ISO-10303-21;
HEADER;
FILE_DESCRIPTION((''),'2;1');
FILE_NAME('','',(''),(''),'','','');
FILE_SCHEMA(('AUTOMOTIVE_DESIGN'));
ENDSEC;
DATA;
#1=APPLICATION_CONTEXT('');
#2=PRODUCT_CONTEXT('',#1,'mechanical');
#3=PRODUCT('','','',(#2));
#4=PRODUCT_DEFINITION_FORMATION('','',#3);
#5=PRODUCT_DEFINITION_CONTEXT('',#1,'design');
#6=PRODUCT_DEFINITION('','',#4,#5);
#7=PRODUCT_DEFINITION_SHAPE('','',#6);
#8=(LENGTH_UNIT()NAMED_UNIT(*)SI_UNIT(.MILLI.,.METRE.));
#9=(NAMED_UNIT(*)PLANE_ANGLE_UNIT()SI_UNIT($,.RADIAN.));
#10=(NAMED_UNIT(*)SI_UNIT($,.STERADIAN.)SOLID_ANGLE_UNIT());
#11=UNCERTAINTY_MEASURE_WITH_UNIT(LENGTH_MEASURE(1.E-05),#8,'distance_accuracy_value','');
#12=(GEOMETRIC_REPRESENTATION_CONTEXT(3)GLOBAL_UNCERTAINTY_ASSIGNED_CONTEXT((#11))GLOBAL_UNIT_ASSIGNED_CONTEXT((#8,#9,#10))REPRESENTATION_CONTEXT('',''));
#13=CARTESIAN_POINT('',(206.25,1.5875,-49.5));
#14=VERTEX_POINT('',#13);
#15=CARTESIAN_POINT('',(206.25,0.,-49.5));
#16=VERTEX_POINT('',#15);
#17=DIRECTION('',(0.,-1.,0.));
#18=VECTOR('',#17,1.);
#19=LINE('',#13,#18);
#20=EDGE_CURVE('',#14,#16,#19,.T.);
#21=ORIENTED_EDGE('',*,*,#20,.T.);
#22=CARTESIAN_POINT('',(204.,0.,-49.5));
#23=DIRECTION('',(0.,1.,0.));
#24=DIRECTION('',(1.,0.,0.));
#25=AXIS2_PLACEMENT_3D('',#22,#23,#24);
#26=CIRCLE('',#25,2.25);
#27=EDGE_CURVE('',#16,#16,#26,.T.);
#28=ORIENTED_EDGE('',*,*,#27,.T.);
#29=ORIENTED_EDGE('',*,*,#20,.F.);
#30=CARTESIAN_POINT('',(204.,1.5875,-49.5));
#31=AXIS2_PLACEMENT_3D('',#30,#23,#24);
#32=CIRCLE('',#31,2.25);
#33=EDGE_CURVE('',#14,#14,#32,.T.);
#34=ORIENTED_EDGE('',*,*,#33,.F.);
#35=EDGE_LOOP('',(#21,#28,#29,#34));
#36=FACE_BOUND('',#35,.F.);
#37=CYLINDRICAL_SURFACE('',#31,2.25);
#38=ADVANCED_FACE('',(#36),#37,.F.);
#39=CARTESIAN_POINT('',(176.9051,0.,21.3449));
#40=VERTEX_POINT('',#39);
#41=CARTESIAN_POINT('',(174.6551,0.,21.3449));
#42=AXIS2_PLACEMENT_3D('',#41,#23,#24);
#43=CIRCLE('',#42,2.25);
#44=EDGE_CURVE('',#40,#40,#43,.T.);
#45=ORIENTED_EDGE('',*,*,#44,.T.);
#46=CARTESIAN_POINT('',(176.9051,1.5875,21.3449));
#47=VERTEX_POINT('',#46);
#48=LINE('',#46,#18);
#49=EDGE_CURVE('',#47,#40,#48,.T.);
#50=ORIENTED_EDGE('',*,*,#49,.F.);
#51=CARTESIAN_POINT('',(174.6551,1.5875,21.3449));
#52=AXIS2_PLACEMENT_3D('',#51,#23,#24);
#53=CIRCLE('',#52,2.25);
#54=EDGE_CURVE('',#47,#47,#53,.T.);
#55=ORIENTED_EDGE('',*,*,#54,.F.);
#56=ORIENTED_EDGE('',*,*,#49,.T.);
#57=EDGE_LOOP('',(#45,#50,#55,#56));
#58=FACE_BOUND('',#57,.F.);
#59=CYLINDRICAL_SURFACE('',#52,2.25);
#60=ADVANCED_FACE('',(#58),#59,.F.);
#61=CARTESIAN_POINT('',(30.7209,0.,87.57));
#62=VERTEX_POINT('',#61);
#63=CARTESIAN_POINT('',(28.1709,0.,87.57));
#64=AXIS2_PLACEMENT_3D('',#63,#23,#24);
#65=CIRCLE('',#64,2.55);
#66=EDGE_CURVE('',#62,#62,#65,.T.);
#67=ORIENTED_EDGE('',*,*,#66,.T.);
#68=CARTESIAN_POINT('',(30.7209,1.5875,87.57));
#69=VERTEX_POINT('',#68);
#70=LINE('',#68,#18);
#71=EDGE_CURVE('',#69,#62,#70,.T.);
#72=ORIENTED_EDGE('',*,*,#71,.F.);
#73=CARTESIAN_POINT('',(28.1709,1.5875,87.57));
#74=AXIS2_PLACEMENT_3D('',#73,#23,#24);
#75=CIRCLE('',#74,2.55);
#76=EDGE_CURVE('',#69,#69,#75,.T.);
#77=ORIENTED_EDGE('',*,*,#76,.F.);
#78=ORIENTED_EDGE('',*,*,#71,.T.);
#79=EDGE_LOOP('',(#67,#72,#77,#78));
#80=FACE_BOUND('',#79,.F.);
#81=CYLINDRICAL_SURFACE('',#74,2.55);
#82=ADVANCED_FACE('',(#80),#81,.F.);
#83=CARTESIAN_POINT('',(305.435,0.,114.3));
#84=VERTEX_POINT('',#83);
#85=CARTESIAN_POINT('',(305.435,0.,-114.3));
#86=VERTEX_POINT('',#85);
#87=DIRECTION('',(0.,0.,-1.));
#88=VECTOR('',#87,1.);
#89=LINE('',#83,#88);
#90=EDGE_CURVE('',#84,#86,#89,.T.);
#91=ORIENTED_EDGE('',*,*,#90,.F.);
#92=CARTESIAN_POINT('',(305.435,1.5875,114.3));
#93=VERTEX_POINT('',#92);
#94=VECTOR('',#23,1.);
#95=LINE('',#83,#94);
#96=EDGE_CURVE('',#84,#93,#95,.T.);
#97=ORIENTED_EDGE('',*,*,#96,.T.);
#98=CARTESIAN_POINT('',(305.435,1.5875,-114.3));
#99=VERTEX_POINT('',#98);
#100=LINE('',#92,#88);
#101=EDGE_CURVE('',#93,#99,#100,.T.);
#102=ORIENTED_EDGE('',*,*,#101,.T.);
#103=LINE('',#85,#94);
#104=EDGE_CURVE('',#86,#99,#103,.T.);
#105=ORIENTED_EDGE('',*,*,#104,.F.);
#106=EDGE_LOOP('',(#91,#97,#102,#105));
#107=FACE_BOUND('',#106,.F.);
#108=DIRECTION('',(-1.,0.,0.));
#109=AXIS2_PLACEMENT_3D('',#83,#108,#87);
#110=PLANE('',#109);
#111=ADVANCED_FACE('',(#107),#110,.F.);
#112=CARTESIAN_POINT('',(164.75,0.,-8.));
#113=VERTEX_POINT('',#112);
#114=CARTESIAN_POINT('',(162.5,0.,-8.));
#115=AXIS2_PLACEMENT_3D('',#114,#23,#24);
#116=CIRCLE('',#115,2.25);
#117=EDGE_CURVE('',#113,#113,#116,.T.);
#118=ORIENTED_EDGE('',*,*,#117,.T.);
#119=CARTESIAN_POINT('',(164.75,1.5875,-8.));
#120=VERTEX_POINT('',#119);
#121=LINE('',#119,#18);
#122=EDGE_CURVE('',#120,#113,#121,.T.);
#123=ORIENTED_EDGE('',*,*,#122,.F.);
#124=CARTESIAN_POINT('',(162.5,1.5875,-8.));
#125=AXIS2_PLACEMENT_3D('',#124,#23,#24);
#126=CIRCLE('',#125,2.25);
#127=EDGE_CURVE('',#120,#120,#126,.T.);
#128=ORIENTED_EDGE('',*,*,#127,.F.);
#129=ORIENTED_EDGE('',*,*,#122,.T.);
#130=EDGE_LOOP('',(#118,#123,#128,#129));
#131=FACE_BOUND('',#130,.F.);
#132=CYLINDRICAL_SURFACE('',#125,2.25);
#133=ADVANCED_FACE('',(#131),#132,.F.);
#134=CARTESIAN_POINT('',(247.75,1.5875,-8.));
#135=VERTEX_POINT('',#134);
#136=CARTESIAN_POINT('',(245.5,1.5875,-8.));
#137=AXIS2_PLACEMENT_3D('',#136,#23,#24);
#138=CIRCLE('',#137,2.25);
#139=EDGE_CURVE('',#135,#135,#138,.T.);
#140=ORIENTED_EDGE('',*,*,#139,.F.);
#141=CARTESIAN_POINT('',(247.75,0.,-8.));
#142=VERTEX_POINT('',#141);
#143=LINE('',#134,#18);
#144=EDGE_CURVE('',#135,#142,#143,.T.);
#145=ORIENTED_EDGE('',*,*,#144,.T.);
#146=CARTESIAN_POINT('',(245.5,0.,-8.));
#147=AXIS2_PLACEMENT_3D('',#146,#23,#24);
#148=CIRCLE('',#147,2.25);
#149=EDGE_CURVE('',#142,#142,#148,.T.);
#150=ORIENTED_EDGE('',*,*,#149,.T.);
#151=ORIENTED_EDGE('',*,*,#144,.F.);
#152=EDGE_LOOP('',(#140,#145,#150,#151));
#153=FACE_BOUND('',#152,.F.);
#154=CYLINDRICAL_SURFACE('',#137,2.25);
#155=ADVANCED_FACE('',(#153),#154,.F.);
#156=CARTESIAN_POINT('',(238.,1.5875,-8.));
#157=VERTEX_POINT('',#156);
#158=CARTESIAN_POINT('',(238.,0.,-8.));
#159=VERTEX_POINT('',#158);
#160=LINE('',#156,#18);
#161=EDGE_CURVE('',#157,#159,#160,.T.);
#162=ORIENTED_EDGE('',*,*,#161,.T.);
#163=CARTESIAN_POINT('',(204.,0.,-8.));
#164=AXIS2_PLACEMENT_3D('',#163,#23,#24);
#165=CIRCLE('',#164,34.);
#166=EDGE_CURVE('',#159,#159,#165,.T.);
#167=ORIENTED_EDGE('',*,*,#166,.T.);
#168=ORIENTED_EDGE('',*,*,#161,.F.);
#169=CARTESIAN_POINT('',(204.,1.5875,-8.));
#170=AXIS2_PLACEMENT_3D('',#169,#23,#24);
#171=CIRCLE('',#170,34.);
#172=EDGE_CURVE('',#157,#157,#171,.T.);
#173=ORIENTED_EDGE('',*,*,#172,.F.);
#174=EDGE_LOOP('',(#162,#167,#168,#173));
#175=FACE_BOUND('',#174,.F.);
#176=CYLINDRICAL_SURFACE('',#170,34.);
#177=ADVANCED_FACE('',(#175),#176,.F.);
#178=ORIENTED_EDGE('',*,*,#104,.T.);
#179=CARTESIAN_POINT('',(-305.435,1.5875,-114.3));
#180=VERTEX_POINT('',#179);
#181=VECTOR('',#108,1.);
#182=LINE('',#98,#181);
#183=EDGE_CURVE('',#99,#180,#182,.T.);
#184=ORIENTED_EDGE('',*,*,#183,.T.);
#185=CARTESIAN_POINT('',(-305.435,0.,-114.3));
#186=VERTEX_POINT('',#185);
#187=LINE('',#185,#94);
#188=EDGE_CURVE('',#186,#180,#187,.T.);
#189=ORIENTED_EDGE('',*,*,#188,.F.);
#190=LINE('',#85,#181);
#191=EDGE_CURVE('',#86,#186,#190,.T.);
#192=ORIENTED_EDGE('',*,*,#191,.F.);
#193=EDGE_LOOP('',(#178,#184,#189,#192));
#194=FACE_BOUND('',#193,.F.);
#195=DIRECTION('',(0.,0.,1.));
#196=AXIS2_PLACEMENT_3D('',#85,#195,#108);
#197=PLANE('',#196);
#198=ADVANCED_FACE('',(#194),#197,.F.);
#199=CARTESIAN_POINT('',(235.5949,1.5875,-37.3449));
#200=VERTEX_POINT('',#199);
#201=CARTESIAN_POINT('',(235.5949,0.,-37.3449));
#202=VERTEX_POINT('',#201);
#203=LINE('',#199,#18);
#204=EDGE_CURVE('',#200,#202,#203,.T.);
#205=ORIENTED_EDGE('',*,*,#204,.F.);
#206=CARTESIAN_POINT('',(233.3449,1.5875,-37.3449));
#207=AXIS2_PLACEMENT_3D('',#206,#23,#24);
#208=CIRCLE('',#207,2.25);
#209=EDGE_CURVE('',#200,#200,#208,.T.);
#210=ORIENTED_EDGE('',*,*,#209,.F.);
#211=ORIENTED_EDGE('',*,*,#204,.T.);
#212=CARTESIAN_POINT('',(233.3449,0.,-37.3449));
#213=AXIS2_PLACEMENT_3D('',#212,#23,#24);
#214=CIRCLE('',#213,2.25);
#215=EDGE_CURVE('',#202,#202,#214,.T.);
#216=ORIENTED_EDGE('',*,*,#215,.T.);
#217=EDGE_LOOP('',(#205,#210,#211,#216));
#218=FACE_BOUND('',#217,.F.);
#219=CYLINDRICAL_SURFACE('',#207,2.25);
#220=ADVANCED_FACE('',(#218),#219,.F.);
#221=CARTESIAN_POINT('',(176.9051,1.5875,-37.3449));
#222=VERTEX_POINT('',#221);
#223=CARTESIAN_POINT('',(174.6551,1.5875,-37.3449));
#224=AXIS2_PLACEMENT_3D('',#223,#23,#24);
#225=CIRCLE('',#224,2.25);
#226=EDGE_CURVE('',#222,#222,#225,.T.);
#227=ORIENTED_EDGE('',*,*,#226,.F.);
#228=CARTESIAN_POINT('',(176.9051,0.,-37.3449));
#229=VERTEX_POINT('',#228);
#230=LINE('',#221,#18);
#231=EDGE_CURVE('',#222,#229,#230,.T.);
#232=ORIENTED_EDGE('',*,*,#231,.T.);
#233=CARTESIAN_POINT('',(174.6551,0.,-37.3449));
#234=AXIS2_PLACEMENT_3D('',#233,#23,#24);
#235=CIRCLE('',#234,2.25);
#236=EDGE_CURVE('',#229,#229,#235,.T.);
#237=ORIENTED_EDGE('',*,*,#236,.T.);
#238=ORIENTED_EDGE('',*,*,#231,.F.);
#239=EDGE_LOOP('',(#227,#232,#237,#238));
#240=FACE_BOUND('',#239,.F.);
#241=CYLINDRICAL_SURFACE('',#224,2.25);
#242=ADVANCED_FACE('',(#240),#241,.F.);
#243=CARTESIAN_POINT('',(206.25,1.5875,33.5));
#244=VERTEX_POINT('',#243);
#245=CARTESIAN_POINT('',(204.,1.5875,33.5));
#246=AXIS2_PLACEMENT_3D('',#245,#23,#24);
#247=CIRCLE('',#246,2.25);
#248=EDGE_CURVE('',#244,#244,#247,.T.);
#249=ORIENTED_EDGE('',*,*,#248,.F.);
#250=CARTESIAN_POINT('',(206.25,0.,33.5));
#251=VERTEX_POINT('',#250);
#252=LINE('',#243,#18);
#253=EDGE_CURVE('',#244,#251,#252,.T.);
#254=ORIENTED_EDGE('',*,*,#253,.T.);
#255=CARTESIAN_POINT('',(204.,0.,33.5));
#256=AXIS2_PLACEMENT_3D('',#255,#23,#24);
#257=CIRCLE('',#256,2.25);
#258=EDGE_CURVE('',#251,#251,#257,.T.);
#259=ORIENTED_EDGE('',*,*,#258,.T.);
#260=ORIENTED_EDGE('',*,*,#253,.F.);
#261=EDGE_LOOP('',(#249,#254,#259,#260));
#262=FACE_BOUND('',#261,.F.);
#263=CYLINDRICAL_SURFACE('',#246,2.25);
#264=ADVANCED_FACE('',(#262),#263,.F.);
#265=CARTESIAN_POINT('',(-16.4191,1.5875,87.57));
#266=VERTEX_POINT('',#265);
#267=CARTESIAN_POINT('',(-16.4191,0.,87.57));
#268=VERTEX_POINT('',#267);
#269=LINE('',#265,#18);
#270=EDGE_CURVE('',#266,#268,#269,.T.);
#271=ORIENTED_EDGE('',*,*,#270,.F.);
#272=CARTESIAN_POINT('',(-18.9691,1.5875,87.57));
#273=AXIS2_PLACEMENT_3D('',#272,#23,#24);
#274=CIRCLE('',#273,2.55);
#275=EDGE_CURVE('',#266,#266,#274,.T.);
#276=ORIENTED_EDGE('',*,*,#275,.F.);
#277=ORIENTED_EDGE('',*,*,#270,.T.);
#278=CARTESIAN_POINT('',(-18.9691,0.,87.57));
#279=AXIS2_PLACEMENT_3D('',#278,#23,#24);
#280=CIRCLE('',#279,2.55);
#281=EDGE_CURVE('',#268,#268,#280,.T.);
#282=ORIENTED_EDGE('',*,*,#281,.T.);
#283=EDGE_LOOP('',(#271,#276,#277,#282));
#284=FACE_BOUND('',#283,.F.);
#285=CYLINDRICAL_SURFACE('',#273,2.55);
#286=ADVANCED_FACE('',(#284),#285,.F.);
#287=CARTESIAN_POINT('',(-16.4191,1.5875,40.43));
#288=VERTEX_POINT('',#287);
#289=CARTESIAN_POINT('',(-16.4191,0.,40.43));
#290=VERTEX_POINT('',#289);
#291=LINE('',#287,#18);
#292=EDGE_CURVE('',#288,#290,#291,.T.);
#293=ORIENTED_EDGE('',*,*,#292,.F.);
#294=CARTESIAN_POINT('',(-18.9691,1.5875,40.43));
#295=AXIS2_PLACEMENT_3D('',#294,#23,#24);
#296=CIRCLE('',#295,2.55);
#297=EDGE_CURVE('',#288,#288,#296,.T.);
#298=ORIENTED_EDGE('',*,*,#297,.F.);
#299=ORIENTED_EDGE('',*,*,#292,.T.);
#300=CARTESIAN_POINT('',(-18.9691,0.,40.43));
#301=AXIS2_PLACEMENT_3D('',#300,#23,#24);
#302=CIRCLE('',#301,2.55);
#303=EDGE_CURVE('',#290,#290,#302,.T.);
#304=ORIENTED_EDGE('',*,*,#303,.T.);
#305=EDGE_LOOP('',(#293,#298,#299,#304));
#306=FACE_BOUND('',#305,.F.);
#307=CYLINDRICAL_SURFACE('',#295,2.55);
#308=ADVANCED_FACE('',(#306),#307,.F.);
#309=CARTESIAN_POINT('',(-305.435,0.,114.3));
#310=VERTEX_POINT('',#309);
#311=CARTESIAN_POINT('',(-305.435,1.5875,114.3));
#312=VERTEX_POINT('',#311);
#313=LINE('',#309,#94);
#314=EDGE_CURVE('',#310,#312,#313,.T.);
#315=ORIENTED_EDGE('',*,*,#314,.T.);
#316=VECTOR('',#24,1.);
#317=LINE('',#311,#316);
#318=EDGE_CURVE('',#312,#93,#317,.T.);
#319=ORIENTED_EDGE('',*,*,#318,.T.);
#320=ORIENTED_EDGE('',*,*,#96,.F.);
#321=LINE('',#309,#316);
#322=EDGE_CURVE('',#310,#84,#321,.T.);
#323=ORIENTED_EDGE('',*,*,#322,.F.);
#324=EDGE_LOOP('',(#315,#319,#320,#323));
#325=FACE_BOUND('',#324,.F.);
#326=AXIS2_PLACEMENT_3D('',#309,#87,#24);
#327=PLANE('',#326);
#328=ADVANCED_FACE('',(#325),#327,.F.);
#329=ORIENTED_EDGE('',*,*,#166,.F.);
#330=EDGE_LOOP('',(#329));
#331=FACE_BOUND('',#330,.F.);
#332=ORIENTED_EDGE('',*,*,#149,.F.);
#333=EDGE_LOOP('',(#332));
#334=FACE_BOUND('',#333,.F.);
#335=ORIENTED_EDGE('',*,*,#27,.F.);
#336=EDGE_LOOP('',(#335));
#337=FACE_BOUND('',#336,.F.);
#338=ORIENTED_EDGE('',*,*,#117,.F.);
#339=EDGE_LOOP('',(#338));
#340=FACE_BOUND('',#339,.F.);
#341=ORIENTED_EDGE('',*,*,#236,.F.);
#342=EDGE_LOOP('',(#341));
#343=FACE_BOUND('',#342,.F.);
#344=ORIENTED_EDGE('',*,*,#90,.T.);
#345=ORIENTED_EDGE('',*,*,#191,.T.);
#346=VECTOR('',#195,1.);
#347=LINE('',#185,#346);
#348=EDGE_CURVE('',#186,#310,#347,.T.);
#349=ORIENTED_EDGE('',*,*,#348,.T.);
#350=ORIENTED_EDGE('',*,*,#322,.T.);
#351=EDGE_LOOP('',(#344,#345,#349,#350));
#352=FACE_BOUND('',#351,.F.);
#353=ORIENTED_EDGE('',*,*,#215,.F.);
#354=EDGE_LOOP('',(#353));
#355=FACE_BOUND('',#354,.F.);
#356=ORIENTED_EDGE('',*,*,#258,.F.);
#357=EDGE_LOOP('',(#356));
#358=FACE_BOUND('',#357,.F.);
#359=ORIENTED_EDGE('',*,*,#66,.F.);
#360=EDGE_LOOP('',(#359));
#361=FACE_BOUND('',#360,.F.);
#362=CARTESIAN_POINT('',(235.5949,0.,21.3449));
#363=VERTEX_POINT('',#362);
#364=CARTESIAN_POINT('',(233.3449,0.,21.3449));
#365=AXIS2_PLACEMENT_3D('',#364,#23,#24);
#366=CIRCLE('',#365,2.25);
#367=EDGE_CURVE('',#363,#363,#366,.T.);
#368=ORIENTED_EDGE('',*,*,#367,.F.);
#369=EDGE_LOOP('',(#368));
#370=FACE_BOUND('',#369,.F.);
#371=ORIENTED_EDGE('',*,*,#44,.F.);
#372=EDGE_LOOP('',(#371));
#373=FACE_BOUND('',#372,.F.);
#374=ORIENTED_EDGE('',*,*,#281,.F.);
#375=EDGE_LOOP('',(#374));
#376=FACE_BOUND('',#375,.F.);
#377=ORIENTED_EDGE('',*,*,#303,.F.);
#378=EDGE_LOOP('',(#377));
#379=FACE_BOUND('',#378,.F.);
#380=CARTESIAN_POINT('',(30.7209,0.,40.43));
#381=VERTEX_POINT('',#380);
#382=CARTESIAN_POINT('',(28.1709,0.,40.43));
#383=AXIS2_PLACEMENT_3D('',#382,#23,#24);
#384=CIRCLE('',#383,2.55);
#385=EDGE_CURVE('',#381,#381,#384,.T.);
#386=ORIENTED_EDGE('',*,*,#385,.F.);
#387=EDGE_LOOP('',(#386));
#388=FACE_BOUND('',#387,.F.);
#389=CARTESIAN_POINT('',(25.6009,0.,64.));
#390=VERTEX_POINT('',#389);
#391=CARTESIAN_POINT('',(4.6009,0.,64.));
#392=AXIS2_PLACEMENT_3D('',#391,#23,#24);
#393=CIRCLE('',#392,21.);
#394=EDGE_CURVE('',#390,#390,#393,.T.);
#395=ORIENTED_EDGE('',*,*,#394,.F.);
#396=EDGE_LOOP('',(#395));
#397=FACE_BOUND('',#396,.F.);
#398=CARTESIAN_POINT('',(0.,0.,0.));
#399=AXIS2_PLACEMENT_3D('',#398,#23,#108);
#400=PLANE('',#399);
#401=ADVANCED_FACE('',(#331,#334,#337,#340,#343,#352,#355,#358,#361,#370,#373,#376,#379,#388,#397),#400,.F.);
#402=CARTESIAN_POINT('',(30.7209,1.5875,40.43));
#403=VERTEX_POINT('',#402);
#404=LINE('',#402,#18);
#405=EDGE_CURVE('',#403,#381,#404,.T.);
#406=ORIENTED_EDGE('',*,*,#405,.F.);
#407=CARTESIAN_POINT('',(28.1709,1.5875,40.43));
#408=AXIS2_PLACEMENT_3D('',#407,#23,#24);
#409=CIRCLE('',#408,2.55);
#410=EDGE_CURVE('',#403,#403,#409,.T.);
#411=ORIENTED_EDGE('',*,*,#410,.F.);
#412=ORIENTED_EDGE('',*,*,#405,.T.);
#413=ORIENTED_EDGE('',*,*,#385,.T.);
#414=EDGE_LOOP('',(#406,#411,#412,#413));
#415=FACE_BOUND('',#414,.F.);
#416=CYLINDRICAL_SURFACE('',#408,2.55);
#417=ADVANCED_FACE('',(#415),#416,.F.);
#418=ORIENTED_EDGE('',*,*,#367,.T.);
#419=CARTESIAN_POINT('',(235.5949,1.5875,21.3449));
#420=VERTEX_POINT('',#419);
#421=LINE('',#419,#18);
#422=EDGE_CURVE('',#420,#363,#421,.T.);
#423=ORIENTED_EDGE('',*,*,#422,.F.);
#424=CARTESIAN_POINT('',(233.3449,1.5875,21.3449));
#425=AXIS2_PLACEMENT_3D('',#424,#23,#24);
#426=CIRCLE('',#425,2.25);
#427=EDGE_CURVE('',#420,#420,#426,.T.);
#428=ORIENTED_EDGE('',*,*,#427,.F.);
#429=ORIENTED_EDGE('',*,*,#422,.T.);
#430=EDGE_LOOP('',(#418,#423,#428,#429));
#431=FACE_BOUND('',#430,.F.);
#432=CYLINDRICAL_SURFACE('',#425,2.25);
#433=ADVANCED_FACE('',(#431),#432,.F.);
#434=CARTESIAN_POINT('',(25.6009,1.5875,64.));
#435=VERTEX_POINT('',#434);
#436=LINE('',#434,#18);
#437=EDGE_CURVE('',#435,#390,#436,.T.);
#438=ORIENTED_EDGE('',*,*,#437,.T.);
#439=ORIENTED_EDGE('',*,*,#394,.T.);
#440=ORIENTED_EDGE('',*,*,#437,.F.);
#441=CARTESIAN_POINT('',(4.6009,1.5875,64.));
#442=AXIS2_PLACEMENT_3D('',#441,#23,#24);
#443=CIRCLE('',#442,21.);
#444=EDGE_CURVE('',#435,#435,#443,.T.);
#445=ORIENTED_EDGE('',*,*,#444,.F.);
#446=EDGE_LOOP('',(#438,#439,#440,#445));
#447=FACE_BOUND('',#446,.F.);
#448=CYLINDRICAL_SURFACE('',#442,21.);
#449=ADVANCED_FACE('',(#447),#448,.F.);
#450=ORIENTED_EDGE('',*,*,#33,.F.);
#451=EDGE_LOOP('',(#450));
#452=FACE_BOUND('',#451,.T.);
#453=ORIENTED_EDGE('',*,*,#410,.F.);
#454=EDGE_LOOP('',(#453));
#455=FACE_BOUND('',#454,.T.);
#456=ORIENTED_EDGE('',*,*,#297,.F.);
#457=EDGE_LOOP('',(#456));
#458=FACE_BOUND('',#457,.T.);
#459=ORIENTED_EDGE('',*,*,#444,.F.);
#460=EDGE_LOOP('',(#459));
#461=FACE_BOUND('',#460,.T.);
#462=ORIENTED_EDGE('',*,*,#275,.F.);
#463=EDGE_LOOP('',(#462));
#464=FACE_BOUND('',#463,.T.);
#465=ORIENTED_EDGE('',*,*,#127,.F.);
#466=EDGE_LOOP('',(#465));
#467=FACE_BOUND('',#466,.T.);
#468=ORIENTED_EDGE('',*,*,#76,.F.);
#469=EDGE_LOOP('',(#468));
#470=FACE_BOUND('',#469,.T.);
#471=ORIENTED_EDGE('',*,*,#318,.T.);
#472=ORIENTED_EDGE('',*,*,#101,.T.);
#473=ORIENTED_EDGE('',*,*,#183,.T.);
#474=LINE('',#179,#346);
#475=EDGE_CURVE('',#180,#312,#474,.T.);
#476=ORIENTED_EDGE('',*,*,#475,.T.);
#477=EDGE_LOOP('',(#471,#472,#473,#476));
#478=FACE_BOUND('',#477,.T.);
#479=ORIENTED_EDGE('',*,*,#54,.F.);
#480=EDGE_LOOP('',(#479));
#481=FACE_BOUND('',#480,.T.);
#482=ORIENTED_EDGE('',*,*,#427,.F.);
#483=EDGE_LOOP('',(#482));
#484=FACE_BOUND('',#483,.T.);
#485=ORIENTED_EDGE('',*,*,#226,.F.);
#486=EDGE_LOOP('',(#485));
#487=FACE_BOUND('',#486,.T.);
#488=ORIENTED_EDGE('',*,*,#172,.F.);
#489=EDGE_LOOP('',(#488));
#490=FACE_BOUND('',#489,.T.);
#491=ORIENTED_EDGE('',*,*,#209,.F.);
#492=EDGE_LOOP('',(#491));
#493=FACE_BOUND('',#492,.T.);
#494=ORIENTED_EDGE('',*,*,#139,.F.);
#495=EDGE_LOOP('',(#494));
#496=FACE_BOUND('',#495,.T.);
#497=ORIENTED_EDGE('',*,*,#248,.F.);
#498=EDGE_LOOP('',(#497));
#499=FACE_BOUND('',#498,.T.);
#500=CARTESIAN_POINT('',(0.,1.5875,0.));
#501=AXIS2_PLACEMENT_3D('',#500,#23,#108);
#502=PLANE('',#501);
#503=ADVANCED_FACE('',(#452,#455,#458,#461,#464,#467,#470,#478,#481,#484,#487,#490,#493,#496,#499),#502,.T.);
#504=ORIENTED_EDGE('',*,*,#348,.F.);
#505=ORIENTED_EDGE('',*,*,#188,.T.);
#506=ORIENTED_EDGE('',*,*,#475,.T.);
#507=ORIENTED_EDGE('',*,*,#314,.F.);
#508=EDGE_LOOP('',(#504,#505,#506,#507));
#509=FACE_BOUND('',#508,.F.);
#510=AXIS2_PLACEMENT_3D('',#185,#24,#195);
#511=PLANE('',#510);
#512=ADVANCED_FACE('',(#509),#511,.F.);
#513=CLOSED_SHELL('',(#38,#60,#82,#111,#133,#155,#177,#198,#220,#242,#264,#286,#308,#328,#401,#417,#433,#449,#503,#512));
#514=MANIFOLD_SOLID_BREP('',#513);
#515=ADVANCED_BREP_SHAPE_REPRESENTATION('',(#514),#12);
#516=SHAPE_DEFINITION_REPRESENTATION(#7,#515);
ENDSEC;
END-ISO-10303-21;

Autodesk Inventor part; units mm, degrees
ref_plane "YZ Plane" through (0, 0, 0) normal (1, 0, 0) x (0, 1, 0)
ref_plane "XZ Plane" through (0, 0, 0) normal (0, 1, 0) x (-1, 0, 0)
ref_plane "XY Plane" through (0, 0, 0) normal (0, 0, 1) x (1, 0, 0)
sketch "Sketch1" plane through (0, 0, 0) normal (0, 1, 0) x (-1, 0, 0)
  line L0 (305.435, 114.3) -> (-305.435, 114.3)
  line L1 (-305.435, 114.3) -> (-305.435, -114.3)
  line L2 (-305.435, -114.3) -> (305.435, -114.3)
  line L3 (305.435, -114.3) -> (305.435, 114.3)
  line L4 (305.435, 114.3) -> (-305.435, -114.3) construction
  line L5 (-305.435, 114.3) -> (305.435, -114.3) construction
  point P0 (0, 0)
  dimension "d0" = 610.87
  dimension "d1" = 228.6
extrude "Extrusion1" add sketch "Sketch1" along normal blind 1.5875
sketch "Sketch2" plane through (0, 1.5875, 0) normal (0, 1, 0) x (1, 0, 0)
  circle A0 centre (204, 8) radius 34
  circle A1 centre (204, 49.5) radius 2.25
  circle A2 centre (174.6551, 37.3449) radius 2.25
  circle A3 centre (162.5, 8) radius 2.25
  circle A4 centre (174.6551, -21.3449) radius 2.25
  circle A5 centre (204, -33.5) radius 2.25
  circle A6 centre (233.3449, -21.3449) radius 2.25
  circle A7 centre (245.5, 8) radius 2.25
  circle A8 centre (233.3449, 37.3449) radius 2.25
  point P0 (0, 0)
  dimension "d4" = 68
  dimension "d6" = 4.5
  dimension "d7" = 41.5
  dimension "d10" = 360
  dimension "d15" = 204
  dimension "d16" = 8
extrude "Extrusion2" cut sketch "Sketch2" against normal blind 1.5875
sketch "Sketch3" plane through (0, 1.5875, 0) normal (0, 1, 0) x (1, 0, 0)
  circle A0 centre (4.6009, -64) radius 21
  circle A1 centre (204, 8) radius 34 construction
  circle A2 centre (204, 8) radius 106 construction
  circle A3 centre (-18.9691, -87.57) radius 2.55
  circle A4 centre (28.1709, -87.57) radius 2.55
  circle A5 centre (28.1709, -40.43) radius 2.55
  circle A6 centre (-18.9691, -40.43) radius 2.55
  line L0 (4.6009, -64) -> (204, 8) construction
  point P0 (0, 0)
  dimension "d17" = 42
  dimension "d18" = 212
  dimension "d20" = 72
  dimension "d21" = 5.1
  dimension "d22" = 23.57
  dimension "d23" = 23.57
  dimension "d26" = 360
  dimension "d30" = 212
extrude "Extrusion3" cut sketch "Sketch3" against normal through all
equation "\"d23\" = d22"
properties part number "ElectronicsBoxLid"
